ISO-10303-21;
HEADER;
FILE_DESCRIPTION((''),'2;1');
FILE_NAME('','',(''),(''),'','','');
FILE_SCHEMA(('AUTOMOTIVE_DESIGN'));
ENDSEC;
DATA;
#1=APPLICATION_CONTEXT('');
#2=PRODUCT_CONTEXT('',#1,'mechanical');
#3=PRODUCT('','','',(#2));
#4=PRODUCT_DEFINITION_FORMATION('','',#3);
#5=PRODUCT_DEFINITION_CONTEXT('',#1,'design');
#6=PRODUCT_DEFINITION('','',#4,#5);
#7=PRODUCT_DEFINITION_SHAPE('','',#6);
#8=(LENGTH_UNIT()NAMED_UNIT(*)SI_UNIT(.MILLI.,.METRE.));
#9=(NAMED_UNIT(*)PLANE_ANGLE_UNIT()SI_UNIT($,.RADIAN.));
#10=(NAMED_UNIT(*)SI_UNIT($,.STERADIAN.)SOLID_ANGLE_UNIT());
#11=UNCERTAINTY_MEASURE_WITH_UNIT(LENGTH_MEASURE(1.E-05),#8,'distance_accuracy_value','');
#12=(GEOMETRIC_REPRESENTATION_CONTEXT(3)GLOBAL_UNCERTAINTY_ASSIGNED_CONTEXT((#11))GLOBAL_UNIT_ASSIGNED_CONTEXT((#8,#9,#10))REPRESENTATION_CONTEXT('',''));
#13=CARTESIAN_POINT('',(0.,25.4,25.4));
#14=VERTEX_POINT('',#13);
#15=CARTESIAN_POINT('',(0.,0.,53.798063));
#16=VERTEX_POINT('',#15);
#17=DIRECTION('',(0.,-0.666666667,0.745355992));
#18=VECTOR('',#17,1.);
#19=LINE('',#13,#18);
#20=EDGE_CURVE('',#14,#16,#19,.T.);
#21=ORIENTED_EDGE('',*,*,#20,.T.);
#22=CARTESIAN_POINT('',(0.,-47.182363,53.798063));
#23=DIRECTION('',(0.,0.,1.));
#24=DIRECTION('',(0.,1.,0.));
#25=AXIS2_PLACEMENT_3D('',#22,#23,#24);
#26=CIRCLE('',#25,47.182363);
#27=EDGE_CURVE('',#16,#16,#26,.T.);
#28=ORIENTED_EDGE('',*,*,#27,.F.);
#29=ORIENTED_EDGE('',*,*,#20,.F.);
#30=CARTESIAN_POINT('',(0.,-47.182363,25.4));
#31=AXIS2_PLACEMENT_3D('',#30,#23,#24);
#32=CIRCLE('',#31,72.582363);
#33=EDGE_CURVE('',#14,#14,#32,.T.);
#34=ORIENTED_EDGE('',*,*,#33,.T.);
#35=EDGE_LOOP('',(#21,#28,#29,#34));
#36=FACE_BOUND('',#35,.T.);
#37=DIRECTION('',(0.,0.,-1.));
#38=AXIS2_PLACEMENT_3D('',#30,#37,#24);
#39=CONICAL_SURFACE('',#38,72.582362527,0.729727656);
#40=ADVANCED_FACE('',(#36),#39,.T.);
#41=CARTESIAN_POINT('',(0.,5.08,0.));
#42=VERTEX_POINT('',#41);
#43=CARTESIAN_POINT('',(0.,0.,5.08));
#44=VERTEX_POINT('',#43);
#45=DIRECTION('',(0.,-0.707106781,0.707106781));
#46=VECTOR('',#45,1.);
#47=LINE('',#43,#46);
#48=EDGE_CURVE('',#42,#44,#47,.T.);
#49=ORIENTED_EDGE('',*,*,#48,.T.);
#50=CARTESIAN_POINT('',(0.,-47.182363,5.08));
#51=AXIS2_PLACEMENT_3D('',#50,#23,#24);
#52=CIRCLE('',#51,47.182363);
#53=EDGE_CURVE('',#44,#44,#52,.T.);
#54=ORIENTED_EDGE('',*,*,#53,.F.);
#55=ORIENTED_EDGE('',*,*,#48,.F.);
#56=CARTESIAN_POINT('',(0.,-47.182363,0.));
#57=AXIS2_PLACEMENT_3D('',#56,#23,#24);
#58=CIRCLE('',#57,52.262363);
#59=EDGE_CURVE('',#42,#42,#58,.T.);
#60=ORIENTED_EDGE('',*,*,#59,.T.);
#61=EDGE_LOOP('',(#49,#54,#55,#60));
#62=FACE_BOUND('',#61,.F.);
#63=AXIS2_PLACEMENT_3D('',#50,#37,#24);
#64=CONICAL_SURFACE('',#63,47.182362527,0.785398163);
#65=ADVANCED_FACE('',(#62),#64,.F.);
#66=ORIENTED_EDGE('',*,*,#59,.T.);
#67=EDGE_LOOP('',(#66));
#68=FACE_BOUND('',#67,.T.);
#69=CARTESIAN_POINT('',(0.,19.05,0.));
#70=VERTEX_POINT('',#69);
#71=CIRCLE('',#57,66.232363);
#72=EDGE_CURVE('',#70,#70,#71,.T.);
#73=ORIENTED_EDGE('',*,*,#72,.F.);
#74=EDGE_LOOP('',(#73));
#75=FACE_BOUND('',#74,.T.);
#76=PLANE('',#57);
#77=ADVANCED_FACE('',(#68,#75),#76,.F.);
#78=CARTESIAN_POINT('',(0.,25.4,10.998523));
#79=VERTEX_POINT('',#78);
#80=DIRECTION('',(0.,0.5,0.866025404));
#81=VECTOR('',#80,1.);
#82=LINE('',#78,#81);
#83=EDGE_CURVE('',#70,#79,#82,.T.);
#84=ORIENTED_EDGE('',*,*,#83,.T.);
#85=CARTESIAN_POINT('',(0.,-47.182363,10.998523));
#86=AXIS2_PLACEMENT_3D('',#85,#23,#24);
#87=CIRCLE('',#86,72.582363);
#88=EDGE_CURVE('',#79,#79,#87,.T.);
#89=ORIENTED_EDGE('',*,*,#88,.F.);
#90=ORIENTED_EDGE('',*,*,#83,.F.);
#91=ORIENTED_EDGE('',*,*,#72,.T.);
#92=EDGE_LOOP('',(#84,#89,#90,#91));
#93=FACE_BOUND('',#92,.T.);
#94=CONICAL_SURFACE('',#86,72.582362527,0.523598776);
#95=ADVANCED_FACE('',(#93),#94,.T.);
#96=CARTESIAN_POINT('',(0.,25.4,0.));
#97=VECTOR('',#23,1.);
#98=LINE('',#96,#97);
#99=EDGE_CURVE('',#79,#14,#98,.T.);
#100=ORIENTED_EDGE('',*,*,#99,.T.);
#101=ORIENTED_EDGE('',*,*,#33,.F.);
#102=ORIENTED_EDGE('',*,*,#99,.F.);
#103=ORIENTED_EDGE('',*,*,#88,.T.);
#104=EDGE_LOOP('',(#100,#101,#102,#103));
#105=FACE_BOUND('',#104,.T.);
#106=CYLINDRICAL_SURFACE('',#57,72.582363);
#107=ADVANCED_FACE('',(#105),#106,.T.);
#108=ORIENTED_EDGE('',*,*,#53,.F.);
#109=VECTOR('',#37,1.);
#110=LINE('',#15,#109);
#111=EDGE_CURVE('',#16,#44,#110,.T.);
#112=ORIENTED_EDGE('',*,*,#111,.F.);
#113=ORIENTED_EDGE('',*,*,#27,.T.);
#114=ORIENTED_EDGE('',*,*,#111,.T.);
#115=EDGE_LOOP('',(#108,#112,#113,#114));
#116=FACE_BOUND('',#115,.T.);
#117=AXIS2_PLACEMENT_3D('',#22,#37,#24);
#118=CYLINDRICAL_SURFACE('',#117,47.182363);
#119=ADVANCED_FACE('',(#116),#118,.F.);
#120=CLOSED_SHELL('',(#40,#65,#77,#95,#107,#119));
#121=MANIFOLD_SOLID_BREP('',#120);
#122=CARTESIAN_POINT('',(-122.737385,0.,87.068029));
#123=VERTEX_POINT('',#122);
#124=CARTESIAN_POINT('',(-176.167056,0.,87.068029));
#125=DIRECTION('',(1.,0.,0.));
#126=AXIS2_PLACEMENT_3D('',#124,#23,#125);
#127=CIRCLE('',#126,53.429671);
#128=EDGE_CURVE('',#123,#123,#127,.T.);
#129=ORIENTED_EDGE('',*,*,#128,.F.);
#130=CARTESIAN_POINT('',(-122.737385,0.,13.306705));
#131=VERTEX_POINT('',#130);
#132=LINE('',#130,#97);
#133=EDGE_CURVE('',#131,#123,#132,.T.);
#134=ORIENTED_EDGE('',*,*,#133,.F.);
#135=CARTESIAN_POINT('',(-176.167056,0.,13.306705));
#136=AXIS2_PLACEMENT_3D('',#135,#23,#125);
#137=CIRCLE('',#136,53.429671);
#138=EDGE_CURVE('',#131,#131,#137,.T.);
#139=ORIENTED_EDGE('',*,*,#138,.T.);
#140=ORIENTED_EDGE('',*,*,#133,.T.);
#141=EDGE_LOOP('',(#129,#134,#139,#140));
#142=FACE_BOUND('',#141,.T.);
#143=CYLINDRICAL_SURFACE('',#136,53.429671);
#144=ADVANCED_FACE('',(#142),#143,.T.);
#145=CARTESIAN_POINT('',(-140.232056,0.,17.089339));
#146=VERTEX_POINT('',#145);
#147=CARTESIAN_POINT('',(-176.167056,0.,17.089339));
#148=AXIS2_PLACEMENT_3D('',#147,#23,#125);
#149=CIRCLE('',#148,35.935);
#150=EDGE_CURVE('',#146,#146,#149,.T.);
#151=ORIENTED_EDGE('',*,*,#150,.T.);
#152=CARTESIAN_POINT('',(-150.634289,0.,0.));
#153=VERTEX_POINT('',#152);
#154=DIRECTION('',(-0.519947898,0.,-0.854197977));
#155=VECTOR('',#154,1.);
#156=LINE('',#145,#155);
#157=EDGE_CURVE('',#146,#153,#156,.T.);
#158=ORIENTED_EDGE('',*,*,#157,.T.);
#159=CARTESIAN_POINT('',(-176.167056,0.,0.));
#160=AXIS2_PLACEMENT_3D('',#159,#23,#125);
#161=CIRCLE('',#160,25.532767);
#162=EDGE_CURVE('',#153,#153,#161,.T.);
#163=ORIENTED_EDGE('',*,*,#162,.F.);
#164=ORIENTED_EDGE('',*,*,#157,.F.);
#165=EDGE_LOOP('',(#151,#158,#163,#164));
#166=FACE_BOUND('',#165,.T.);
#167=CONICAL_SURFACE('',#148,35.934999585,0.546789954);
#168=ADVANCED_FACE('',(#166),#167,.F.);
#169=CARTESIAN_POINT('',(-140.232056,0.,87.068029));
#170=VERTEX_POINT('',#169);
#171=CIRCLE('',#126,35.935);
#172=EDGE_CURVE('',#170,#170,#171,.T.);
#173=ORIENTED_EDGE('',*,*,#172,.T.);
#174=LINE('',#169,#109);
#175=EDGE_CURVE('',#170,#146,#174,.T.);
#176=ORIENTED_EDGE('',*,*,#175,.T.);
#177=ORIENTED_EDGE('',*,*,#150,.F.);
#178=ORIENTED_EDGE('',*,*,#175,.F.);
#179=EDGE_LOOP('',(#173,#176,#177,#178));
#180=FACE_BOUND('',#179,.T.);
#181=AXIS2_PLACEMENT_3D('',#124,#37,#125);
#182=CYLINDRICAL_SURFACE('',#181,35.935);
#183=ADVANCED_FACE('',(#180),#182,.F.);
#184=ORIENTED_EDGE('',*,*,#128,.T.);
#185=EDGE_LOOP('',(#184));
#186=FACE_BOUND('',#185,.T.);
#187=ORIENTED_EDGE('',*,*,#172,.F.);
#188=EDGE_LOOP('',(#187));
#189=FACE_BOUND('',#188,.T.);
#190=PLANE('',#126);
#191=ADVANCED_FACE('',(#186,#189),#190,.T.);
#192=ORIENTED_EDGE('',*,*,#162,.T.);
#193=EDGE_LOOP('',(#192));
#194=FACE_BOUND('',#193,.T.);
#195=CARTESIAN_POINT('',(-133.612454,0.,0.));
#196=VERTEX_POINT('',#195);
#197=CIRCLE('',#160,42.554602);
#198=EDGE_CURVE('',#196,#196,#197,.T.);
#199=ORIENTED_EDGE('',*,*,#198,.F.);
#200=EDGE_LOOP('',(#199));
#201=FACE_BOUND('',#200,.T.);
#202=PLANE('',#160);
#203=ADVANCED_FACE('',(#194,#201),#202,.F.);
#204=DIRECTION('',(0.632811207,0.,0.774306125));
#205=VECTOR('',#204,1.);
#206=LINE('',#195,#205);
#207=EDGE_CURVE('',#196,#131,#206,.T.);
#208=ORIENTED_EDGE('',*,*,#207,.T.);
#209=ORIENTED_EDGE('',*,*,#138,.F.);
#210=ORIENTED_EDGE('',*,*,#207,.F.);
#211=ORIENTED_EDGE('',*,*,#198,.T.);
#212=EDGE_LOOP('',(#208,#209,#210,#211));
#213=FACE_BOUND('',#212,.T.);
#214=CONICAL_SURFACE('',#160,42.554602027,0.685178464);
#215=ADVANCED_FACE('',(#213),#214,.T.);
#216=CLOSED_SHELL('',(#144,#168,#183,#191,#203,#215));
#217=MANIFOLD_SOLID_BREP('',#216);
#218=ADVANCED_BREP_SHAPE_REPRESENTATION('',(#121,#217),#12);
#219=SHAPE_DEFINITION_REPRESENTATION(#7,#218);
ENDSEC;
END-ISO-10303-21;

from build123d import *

# Parameters (mm, degrees)
F5_SIZE2 = 10.9985226281
F5_SIZE  = 6.35
F6_SIZE2 = 5.08
F6_SIZE  = 5.08


with BuildPart() as f4:
    # F3 (on Right) → F4 (revolve)
    with BuildSketch(Plane.YZ):
        Polygon((0, 25.4), (0, 0), (25.4, 0), (25.4, 25.4), (0, 53.7980633142), align=None)
    revolve(axis=Axis((0, -47.1823625267, 43.7326766551), (0, 0, 1)))

    # F5
    f5_edges = [f4.edges().sort_by_distance(p)[0] for p in [
        (0, -119.764725, 0),
    ]]
    chamfer(f5_edges, length=F5_SIZE, length2=F5_SIZE2)

    # F6
    f6_edges = [f4.edges().sort_by_distance(p)[0] for p in [
        (0, -94.364725, 0),
    ]]
    chamfer(f6_edges, length=F6_SIZE, length2=F6_SIZE2)


with BuildPart() as f8:
    # F7 (on Front) → F8 (revolve)
    with BuildSketch(Plane.XZ):
        Polygon((-140.2320563793, 17.0893389732), (-150.6342887878, 0), (-133.6124539375, 0), (-122.7373853326, 13.3067052811), (-122.7373853326, 87.068028748), (-140.2320563793, 87.068028748), align=None)
    revolve(axis=Axis((-176.1670559645, 0, 51.8085211515), (0, 0, 1)))


solid = Compound([f4.part, f8.part])
